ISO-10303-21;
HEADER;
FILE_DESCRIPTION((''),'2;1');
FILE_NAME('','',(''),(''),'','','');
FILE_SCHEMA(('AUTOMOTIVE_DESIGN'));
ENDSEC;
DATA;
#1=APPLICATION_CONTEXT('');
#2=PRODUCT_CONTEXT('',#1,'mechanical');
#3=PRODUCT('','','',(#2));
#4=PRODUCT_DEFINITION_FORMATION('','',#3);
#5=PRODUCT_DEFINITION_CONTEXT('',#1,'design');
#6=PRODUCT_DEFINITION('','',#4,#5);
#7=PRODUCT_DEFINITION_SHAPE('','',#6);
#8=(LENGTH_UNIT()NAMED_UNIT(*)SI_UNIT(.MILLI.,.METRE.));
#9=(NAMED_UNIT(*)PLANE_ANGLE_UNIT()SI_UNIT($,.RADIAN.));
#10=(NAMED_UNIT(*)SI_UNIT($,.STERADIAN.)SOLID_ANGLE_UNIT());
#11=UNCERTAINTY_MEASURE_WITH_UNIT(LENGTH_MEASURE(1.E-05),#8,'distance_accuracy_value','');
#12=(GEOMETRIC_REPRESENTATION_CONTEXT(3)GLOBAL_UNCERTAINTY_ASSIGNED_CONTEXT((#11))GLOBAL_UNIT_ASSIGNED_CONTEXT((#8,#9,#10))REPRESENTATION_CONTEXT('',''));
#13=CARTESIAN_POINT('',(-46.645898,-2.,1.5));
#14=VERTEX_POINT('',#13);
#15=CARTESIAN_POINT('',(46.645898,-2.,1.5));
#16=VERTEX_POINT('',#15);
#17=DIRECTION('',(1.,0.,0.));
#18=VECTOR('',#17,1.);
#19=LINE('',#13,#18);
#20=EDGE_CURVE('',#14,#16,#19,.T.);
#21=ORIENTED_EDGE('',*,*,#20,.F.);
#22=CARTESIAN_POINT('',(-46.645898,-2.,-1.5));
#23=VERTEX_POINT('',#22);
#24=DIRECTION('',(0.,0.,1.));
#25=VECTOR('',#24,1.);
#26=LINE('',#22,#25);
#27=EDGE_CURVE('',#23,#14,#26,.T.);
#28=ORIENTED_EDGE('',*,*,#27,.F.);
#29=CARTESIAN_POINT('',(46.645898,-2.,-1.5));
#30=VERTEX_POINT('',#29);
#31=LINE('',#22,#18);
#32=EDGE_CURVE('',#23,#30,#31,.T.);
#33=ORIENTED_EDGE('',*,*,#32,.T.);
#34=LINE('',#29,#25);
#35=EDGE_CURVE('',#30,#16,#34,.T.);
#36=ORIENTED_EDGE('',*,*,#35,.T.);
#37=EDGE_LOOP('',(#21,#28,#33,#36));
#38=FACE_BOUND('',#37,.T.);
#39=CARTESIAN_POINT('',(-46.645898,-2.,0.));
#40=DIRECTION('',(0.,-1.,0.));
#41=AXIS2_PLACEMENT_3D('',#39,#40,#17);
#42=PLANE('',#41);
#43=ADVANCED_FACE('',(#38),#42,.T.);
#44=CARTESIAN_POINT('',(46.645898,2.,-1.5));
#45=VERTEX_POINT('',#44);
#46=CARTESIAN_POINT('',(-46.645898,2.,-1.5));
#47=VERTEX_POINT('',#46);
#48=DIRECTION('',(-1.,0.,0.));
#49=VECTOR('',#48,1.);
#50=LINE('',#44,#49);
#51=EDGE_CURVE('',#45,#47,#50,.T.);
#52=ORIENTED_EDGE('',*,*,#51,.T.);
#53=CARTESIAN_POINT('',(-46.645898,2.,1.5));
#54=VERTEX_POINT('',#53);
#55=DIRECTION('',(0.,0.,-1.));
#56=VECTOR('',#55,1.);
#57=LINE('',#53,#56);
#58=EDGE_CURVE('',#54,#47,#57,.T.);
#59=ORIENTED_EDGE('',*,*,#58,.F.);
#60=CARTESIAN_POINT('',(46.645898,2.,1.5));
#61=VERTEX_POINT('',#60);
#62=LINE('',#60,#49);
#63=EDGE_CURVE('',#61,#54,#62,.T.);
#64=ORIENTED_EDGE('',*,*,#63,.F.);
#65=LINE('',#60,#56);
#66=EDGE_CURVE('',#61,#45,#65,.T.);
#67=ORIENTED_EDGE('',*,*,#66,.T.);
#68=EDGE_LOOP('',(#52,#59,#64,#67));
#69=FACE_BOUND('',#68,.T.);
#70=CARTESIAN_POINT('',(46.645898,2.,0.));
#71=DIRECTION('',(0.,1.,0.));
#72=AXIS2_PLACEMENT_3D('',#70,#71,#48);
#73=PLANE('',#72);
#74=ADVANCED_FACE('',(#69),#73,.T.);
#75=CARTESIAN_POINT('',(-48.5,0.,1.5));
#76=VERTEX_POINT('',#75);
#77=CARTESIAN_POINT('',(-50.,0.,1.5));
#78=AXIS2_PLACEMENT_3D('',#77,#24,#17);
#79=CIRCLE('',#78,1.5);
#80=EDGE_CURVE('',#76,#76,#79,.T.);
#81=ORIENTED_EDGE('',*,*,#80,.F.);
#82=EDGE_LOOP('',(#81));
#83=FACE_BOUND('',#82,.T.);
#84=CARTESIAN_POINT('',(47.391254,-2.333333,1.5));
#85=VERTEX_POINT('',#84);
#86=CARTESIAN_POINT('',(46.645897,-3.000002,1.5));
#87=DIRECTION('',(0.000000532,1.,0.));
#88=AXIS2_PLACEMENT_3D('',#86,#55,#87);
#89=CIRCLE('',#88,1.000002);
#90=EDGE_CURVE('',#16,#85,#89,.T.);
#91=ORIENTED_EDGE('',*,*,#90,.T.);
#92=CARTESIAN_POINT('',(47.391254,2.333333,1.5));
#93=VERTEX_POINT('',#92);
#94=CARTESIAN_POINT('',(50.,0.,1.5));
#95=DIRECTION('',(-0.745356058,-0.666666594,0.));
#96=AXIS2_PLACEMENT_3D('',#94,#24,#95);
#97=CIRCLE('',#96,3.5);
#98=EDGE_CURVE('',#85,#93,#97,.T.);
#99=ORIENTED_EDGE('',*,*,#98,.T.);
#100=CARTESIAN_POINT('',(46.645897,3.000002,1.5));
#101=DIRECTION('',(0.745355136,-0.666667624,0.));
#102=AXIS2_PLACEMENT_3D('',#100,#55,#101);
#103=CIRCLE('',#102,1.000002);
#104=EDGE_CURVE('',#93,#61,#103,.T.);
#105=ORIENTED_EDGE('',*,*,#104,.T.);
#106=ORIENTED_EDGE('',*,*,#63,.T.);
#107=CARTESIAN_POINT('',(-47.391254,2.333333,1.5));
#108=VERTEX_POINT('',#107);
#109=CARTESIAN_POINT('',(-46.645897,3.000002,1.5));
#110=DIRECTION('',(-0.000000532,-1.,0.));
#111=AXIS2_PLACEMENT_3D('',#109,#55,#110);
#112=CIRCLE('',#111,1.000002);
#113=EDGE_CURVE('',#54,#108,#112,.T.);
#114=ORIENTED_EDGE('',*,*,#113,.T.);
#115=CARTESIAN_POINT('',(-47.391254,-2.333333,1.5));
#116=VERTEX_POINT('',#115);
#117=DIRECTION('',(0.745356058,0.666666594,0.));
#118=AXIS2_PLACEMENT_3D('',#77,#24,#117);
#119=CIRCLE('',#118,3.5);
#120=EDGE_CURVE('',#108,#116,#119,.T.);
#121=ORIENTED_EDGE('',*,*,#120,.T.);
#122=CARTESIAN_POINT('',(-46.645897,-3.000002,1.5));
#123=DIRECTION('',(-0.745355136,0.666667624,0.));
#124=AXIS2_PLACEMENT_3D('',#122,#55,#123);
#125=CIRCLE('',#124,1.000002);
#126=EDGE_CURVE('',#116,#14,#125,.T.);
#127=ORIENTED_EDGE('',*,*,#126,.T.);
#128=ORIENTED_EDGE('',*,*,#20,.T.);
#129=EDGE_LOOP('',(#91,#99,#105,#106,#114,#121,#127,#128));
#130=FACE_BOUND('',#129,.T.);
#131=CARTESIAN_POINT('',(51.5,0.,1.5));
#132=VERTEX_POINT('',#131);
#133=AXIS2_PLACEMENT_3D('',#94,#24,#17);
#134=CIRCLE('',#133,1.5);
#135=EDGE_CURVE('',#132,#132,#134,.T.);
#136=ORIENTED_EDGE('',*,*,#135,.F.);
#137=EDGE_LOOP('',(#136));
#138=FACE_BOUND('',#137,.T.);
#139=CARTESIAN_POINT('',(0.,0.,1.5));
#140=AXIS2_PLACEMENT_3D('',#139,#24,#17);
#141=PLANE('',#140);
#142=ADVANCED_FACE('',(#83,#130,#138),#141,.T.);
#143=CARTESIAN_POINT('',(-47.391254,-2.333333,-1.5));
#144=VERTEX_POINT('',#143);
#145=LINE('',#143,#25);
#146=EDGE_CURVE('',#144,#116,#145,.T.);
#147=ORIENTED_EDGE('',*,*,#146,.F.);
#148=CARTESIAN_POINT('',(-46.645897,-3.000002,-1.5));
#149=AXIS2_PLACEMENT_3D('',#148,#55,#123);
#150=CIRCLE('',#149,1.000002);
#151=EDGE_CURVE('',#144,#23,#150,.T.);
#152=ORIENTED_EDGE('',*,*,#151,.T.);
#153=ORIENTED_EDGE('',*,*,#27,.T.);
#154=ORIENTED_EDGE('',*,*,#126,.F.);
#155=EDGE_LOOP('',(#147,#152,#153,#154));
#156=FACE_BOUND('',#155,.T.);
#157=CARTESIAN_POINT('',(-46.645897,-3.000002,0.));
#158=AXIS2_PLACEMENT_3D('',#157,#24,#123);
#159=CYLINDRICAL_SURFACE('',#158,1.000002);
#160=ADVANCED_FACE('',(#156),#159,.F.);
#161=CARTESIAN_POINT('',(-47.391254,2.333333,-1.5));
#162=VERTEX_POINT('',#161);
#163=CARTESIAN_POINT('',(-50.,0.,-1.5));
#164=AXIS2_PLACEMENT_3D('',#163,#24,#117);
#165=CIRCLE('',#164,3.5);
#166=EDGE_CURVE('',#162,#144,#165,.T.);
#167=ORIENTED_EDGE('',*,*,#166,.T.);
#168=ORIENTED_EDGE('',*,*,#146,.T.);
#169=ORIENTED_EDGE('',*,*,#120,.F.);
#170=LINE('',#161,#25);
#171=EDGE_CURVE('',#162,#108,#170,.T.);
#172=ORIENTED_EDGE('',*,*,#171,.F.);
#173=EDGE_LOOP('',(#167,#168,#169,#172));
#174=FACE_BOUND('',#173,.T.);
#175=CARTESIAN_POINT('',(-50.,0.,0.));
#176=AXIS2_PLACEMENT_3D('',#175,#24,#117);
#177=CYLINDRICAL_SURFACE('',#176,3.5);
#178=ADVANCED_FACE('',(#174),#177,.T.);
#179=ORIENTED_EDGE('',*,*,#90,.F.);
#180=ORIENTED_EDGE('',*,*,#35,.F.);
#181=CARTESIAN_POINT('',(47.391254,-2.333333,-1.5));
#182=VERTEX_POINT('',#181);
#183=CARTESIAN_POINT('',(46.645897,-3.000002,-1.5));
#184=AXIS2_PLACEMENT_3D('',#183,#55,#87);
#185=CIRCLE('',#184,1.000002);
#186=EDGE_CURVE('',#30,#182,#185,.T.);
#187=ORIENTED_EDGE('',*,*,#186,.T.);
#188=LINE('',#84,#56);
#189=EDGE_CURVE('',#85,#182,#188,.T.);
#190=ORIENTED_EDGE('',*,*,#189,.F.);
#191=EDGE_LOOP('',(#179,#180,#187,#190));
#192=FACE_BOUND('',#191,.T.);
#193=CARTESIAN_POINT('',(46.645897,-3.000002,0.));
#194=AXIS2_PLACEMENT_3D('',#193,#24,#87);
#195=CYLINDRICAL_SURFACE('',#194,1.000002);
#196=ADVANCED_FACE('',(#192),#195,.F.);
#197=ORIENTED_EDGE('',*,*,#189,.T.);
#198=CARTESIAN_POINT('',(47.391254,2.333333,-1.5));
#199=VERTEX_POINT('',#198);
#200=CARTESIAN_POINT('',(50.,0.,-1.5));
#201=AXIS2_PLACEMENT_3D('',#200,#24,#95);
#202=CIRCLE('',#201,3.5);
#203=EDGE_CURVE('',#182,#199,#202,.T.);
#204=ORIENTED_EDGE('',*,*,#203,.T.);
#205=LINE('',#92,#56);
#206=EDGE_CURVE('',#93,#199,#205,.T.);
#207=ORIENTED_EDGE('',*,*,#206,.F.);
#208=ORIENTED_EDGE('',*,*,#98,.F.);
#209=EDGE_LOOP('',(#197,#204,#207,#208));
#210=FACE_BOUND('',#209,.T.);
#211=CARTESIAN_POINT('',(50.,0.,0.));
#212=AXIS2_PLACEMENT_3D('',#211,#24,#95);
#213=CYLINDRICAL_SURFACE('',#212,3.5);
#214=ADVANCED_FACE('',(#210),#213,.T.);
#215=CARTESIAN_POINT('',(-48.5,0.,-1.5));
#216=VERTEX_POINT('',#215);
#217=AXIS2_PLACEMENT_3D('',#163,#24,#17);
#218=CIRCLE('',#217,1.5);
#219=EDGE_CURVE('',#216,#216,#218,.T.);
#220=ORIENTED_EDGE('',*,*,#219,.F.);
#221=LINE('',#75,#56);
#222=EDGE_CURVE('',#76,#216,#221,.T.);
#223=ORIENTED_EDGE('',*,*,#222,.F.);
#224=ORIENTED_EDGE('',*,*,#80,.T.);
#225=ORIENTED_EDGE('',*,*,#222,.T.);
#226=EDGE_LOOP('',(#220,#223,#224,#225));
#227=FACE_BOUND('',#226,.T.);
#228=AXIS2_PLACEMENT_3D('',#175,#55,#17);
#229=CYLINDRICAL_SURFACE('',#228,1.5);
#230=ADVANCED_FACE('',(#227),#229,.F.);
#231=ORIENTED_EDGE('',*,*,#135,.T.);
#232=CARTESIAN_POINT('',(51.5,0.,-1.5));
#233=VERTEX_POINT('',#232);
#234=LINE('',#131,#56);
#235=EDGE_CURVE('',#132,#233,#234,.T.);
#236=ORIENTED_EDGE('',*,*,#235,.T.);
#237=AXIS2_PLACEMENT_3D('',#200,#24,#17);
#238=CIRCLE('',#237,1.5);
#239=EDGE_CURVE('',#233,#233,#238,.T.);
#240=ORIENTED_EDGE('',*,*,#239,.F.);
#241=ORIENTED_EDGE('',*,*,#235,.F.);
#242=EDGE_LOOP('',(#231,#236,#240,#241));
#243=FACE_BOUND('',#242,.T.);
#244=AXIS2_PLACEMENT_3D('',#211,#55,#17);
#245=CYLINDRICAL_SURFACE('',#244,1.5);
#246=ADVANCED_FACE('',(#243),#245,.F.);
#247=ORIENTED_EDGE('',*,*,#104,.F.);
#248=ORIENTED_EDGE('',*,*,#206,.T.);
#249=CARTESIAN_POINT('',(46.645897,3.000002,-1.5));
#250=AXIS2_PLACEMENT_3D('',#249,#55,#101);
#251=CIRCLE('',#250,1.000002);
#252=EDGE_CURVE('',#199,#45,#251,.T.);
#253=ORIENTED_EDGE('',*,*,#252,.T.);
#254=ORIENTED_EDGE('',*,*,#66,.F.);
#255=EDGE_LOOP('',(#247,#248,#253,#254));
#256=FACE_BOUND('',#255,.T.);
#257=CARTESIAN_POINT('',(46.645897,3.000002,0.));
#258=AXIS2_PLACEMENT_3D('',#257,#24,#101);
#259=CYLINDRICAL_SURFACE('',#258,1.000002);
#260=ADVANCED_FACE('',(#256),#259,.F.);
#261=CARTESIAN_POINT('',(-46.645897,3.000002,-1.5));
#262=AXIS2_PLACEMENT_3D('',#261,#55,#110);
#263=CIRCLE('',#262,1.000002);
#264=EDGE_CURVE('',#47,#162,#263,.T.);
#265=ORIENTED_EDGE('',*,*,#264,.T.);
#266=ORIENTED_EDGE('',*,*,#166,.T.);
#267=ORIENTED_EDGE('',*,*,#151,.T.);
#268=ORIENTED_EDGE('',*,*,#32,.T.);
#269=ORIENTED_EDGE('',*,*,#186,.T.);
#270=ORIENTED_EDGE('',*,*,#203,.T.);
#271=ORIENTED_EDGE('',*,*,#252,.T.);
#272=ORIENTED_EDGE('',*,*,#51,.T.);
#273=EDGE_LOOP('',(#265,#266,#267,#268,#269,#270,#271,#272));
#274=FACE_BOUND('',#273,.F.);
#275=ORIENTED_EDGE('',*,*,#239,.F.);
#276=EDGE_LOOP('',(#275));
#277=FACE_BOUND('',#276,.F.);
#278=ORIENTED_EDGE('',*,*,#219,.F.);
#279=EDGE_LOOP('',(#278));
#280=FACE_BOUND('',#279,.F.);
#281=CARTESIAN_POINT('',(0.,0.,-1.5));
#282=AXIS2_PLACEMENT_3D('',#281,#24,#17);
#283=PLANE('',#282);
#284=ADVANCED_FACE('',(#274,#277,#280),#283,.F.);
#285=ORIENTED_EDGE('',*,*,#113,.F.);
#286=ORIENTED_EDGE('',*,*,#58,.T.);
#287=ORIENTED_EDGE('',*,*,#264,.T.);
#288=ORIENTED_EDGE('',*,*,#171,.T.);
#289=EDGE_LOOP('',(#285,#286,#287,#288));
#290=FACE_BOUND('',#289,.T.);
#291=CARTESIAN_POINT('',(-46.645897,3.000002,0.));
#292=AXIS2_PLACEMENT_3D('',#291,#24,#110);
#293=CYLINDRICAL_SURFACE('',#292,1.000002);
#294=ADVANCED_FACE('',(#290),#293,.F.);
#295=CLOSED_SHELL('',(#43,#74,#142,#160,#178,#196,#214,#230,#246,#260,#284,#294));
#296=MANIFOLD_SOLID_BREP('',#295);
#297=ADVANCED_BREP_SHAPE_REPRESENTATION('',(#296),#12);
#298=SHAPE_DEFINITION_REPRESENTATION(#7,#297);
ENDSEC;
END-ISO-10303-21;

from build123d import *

# Parameters (mm, degrees)
F0_R     = 1.5
F1_DEPTH = 1.5


with BuildPart() as f1:
    # F0 (on Top) → F1 (new body, symmetric)
    with BuildSketch(Plane.XY):
        with BuildLine():
            ThreePointArc((-46.645898, 2), (-47.054146, 2.087129), (-47.391254, 2.333333))
            ThreePointArc((-47.391254, 2.333333), (-53.5, 0), (-47.391254, -2.333333))
            ThreePointArc((-47.391254, -2.333333), (-47.054146, -2.087129), (-46.645898, -2))
            Line((-46.645898, -2), (0, -2))
            Line((0, -2), (46.645898, -2))
            ThreePointArc((46.645898, -2), (47.054146, -2.087129), (47.391254, -2.333333))
            ThreePointArc((47.391254, -2.333333), (53.5, 0), (47.391254, 2.333333))
            ThreePointArc((47.391254, 2.333333), (47.054146, 2.087129), (46.645898, 2))
            Line((46.645898, 2), (0, 2))
            Line((0, 2), (-46.645898, 2))
        make_face()
        with Locations((-50, 0)):
            Circle(F0_R, mode=Mode.SUBTRACT)
        with Locations((50, 0)):
            Circle(F0_R, mode=Mode.SUBTRACT)
    extrude(amount=F1_DEPTH, both=True)


solid = f1.part
